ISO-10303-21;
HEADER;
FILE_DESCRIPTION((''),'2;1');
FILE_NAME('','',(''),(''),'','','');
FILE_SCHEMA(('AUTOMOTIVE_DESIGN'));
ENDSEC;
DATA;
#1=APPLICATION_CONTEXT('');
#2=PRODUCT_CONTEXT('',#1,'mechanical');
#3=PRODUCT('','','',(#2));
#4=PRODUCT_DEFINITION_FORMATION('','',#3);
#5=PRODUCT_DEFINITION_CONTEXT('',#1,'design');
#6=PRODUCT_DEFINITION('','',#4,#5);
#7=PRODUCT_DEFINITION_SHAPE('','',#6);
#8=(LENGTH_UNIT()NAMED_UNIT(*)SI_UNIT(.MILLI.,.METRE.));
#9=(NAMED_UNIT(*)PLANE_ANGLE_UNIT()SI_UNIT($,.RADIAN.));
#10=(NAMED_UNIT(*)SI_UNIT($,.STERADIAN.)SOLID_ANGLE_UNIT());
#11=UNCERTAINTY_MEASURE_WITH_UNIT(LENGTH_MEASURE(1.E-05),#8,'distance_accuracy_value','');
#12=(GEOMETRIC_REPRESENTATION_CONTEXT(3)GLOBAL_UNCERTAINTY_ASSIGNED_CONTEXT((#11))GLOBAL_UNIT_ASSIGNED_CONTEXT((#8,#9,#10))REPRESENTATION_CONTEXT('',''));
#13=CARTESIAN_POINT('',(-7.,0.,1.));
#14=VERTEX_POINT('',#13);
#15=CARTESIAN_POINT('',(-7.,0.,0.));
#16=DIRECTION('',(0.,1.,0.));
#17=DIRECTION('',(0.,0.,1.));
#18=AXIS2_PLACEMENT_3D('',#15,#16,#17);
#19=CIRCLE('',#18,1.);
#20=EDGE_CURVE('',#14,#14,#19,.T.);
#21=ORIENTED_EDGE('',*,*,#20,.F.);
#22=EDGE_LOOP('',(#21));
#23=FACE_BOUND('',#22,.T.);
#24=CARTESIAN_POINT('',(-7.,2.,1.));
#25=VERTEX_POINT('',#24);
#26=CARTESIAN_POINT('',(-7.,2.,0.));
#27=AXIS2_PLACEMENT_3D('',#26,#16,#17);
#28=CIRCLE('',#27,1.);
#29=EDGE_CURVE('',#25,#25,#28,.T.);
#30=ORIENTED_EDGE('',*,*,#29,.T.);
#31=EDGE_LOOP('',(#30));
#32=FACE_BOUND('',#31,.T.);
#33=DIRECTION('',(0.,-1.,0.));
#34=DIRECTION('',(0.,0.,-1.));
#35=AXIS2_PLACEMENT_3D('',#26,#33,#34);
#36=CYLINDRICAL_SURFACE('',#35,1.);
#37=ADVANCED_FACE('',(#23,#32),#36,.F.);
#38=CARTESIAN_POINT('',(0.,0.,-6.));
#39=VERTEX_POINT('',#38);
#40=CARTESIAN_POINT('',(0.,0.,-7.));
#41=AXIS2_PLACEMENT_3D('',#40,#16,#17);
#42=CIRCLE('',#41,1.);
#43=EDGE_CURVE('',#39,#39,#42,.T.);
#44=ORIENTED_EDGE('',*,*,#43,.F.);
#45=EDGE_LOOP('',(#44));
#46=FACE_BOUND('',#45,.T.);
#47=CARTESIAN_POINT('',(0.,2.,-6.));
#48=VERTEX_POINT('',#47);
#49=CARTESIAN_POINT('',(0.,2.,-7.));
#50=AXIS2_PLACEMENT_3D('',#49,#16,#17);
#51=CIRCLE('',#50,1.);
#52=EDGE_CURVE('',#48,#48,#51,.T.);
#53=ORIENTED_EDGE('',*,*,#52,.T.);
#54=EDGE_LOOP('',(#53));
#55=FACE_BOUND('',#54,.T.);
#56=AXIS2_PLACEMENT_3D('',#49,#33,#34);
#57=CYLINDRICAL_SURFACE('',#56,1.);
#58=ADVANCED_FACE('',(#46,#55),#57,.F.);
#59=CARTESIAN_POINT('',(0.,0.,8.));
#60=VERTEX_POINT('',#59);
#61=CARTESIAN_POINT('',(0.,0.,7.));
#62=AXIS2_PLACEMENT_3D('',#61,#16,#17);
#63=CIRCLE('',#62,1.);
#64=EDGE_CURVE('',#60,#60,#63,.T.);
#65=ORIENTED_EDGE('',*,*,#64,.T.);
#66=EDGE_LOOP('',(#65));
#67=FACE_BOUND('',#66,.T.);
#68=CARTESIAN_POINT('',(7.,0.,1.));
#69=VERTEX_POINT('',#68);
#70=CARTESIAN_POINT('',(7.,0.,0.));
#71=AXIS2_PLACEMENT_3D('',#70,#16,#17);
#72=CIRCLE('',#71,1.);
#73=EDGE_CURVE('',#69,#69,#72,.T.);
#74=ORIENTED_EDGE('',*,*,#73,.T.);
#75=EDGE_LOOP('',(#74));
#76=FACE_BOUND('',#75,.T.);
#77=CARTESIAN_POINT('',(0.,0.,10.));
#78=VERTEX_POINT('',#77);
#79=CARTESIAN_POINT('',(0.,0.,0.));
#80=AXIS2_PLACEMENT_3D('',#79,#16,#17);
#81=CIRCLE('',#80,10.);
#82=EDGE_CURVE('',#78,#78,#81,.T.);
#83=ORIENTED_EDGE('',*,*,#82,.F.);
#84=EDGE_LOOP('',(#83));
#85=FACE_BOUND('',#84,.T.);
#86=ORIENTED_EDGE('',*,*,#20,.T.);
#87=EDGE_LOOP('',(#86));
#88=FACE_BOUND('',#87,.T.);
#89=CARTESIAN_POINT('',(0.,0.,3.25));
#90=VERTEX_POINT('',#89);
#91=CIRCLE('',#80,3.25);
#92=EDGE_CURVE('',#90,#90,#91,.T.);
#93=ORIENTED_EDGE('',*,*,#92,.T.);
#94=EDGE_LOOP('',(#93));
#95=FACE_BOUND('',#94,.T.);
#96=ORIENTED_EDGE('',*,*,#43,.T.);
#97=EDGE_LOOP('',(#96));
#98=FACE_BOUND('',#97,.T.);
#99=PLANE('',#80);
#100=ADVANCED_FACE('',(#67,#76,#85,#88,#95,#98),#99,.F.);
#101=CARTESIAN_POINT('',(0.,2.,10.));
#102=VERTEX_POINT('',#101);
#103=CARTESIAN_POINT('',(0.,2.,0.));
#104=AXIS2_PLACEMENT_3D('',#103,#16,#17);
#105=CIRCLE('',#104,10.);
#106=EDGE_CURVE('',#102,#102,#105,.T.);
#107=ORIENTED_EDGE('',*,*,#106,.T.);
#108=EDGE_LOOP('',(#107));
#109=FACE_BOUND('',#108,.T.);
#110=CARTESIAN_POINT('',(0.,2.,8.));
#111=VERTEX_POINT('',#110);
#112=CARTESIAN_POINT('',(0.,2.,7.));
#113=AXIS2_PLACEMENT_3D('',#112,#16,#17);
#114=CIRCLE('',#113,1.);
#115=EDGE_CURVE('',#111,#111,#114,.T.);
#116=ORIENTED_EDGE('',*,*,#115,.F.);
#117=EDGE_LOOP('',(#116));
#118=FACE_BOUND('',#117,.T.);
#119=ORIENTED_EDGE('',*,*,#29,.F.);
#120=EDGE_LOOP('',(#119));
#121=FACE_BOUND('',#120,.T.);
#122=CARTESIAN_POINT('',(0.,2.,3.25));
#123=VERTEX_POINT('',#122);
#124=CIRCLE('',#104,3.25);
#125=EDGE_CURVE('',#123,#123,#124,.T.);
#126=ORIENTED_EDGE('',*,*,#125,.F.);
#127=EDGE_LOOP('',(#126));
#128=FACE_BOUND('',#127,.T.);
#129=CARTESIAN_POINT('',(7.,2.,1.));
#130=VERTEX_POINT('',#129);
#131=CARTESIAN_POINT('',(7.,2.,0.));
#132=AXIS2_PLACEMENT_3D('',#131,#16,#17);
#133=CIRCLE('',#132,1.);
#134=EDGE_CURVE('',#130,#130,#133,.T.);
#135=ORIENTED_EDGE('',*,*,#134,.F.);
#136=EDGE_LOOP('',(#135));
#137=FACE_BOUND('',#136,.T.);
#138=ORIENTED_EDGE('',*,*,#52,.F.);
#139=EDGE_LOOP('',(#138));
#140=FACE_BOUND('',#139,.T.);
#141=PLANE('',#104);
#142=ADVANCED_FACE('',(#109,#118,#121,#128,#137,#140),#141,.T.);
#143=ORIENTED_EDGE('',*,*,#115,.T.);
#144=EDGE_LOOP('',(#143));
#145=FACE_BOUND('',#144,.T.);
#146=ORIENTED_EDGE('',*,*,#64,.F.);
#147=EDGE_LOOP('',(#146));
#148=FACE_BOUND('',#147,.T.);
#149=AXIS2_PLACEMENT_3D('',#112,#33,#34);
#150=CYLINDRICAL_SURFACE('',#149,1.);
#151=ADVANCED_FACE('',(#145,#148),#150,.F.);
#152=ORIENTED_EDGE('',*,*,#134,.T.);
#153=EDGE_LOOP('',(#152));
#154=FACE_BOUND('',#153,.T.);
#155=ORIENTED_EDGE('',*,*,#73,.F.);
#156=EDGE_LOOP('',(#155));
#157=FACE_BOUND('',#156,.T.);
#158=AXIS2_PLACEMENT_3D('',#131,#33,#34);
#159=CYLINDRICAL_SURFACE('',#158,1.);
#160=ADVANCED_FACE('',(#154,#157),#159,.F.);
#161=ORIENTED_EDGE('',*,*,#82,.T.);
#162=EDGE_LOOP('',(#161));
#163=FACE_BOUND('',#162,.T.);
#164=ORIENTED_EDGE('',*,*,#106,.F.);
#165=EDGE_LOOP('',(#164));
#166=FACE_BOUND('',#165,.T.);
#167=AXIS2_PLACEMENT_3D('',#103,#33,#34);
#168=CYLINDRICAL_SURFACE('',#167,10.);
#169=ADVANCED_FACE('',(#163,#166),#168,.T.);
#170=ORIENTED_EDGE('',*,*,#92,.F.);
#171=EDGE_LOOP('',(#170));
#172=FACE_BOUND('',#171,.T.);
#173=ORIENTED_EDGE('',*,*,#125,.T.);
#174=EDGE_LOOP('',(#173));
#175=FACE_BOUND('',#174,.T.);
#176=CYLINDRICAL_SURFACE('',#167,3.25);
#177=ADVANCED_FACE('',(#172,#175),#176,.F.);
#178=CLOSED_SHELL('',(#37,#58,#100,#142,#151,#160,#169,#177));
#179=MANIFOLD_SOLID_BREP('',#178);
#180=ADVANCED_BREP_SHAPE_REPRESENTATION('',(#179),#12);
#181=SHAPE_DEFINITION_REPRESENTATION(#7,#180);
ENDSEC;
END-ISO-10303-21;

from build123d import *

# Parameters (mm, degrees)
SKETCH1_R           = 10
SKETCH1_R_2         = 3.25
SKETCH1_R_3         = 1
BOSS_EXTRUDE1_DEPTH = 2


with BuildPart() as part:
    # Sketch1 → Boss-Extrude1 (new body)
    with BuildSketch(Plane(origin=(0, 0, 0), x_dir=(1, 0, 0), z_dir=(0, 1, 0))):
        with Locations(Location((0, 0, 0), (0, 0, 270))):
            Circle(SKETCH1_R)
        with Locations(Location((0, 0, 0), (0, 0, 270))):
            Circle(SKETCH1_R_2, mode=Mode.SUBTRACT)
        with Locations(Location((0, 7, 0), (0, 0, 270))):
            Circle(SKETCH1_R_3, mode=Mode.SUBTRACT)
        with Locations(Location((7, 0, 0), (0, 0, 270))):
            Circle(SKETCH1_R_3, mode=Mode.SUBTRACT)
        with Locations(Location((0, -7, 0), (0, 0, 270))):
            Circle(SKETCH1_R_3, mode=Mode.SUBTRACT)
        with Locations(Location((-7, 0, 0), (0, 0, 270))):
            Circle(SKETCH1_R_3, mode=Mode.SUBTRACT)
    extrude(amount=BOSS_EXTRUDE1_DEPTH)


solid = part.part
